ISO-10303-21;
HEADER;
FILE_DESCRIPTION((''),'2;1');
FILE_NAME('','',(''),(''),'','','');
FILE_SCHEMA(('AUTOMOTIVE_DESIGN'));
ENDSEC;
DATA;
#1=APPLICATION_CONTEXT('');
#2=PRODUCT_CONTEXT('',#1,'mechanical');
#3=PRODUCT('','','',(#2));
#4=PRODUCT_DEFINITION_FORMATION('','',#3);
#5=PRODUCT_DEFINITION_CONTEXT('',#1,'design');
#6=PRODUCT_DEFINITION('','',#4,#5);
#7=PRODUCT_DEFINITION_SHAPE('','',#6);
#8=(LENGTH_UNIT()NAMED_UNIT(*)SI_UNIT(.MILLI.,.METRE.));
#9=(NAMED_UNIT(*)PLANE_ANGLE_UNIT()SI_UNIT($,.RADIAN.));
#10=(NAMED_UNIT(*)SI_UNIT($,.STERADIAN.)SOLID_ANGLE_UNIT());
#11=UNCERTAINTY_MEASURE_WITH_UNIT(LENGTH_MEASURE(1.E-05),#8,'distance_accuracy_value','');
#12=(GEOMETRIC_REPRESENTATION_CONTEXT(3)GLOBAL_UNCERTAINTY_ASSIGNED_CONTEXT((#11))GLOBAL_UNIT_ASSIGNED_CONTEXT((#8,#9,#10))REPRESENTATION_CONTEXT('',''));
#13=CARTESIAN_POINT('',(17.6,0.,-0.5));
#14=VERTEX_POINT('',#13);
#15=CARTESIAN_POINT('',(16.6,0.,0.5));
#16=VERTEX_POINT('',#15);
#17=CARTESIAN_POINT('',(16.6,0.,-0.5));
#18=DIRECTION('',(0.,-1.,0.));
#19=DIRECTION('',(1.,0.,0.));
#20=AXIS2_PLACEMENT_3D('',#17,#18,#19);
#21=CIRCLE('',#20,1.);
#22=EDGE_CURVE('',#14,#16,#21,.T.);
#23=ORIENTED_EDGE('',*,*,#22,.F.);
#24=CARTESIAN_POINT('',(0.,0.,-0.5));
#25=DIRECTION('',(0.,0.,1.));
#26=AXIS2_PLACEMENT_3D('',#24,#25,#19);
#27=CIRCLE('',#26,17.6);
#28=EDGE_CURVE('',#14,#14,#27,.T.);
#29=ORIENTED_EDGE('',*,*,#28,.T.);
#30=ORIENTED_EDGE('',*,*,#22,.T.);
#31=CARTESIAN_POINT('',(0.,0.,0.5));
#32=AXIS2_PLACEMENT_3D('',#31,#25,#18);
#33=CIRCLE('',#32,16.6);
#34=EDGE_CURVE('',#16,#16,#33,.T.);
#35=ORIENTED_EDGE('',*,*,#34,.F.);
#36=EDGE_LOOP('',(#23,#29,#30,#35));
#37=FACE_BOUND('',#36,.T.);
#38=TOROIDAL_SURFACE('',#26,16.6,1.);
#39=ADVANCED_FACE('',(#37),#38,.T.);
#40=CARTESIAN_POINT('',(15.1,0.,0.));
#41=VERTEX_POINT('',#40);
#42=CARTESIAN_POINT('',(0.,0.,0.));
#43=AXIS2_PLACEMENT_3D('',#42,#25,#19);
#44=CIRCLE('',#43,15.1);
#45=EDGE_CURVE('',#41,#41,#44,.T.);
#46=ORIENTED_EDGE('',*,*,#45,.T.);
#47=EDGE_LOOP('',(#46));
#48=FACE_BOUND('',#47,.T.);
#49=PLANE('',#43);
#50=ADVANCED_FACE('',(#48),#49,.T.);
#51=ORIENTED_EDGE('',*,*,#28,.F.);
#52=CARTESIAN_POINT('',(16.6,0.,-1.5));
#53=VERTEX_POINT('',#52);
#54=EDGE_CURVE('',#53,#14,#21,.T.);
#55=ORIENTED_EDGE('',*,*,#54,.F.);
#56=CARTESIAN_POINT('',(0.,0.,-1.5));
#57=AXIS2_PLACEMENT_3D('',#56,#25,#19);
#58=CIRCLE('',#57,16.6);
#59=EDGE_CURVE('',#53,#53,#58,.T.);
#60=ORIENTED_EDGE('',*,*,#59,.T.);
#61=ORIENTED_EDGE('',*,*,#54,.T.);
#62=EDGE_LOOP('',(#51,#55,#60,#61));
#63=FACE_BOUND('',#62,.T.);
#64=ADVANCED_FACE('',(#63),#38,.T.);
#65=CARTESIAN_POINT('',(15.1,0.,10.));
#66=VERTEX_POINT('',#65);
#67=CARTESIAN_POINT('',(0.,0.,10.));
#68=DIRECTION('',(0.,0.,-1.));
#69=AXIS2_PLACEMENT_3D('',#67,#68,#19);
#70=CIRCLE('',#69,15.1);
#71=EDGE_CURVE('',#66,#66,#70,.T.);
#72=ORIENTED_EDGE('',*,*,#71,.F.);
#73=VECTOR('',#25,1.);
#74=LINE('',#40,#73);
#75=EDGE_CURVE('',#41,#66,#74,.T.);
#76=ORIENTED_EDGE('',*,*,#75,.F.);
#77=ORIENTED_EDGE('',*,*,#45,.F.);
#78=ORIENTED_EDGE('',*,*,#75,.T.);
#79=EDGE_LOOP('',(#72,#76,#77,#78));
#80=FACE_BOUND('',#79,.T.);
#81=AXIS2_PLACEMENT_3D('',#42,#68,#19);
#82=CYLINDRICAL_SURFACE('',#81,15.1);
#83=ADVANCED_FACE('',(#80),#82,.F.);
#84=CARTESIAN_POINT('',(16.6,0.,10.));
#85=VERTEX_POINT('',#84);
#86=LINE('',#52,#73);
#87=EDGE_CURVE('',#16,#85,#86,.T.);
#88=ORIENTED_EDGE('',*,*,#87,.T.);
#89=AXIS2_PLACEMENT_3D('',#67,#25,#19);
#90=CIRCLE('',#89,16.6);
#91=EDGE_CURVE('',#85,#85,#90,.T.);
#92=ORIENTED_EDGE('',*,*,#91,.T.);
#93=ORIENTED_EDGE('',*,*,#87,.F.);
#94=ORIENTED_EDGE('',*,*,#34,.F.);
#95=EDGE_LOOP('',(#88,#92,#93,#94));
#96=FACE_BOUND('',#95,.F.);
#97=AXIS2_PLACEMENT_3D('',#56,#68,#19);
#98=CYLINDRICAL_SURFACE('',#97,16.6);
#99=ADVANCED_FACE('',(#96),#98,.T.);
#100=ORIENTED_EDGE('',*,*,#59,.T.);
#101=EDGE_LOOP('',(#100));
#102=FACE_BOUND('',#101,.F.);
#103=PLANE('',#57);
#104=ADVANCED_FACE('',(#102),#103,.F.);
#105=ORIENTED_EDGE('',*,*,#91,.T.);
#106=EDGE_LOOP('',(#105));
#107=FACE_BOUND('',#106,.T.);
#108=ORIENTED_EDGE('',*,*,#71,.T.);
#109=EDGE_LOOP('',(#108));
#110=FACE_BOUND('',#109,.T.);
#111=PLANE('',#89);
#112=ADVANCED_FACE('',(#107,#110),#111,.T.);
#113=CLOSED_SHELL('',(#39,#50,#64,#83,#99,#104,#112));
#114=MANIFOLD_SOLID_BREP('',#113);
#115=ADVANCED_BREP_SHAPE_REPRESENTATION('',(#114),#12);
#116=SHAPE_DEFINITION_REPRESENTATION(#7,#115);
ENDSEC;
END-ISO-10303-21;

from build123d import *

# Parameters (mm, degrees)
TORUS_R           = 1
CYLINDER_R        = 15.1
CYLINDER_DEPTH    = 12.5
CYLINDER001_R     = 16.6
CYLINDER001_DEPTH = 11.5


with BuildPart() as lip:
    # Torus → Torus (revolve)
    with BuildSketch(Plane(origin=(0, 0, -0.5), x_dir=(1, 0, 0), z_dir=(0, -1, 0))):
        with Locations((16.6, 0)):
            Circle(TORUS_R)
    revolve(axis=Axis((0, 0, -0.5), (0, 0, 1)))


with BuildPart() as internal:
    # Cylinder → Cylinder (new body)
    with BuildSketch(Plane.XY):
        Circle(CYLINDER_R)
    extrude(amount=CYLINDER_DEPTH)


with BuildPart() as fusion:
    # Cylinder001 → Cylinder001 (new body)
    with BuildSketch(Plane.XY.offset(-1.5)):
        Circle(CYLINDER001_R)
    extrude(amount=CYLINDER001_DEPTH)

    # Cut: cut Internal
    add(internal.part, mode=Mode.SUBTRACT)

    # Fusion: union Lip
    add(lip.part)


solid = fusion.part
